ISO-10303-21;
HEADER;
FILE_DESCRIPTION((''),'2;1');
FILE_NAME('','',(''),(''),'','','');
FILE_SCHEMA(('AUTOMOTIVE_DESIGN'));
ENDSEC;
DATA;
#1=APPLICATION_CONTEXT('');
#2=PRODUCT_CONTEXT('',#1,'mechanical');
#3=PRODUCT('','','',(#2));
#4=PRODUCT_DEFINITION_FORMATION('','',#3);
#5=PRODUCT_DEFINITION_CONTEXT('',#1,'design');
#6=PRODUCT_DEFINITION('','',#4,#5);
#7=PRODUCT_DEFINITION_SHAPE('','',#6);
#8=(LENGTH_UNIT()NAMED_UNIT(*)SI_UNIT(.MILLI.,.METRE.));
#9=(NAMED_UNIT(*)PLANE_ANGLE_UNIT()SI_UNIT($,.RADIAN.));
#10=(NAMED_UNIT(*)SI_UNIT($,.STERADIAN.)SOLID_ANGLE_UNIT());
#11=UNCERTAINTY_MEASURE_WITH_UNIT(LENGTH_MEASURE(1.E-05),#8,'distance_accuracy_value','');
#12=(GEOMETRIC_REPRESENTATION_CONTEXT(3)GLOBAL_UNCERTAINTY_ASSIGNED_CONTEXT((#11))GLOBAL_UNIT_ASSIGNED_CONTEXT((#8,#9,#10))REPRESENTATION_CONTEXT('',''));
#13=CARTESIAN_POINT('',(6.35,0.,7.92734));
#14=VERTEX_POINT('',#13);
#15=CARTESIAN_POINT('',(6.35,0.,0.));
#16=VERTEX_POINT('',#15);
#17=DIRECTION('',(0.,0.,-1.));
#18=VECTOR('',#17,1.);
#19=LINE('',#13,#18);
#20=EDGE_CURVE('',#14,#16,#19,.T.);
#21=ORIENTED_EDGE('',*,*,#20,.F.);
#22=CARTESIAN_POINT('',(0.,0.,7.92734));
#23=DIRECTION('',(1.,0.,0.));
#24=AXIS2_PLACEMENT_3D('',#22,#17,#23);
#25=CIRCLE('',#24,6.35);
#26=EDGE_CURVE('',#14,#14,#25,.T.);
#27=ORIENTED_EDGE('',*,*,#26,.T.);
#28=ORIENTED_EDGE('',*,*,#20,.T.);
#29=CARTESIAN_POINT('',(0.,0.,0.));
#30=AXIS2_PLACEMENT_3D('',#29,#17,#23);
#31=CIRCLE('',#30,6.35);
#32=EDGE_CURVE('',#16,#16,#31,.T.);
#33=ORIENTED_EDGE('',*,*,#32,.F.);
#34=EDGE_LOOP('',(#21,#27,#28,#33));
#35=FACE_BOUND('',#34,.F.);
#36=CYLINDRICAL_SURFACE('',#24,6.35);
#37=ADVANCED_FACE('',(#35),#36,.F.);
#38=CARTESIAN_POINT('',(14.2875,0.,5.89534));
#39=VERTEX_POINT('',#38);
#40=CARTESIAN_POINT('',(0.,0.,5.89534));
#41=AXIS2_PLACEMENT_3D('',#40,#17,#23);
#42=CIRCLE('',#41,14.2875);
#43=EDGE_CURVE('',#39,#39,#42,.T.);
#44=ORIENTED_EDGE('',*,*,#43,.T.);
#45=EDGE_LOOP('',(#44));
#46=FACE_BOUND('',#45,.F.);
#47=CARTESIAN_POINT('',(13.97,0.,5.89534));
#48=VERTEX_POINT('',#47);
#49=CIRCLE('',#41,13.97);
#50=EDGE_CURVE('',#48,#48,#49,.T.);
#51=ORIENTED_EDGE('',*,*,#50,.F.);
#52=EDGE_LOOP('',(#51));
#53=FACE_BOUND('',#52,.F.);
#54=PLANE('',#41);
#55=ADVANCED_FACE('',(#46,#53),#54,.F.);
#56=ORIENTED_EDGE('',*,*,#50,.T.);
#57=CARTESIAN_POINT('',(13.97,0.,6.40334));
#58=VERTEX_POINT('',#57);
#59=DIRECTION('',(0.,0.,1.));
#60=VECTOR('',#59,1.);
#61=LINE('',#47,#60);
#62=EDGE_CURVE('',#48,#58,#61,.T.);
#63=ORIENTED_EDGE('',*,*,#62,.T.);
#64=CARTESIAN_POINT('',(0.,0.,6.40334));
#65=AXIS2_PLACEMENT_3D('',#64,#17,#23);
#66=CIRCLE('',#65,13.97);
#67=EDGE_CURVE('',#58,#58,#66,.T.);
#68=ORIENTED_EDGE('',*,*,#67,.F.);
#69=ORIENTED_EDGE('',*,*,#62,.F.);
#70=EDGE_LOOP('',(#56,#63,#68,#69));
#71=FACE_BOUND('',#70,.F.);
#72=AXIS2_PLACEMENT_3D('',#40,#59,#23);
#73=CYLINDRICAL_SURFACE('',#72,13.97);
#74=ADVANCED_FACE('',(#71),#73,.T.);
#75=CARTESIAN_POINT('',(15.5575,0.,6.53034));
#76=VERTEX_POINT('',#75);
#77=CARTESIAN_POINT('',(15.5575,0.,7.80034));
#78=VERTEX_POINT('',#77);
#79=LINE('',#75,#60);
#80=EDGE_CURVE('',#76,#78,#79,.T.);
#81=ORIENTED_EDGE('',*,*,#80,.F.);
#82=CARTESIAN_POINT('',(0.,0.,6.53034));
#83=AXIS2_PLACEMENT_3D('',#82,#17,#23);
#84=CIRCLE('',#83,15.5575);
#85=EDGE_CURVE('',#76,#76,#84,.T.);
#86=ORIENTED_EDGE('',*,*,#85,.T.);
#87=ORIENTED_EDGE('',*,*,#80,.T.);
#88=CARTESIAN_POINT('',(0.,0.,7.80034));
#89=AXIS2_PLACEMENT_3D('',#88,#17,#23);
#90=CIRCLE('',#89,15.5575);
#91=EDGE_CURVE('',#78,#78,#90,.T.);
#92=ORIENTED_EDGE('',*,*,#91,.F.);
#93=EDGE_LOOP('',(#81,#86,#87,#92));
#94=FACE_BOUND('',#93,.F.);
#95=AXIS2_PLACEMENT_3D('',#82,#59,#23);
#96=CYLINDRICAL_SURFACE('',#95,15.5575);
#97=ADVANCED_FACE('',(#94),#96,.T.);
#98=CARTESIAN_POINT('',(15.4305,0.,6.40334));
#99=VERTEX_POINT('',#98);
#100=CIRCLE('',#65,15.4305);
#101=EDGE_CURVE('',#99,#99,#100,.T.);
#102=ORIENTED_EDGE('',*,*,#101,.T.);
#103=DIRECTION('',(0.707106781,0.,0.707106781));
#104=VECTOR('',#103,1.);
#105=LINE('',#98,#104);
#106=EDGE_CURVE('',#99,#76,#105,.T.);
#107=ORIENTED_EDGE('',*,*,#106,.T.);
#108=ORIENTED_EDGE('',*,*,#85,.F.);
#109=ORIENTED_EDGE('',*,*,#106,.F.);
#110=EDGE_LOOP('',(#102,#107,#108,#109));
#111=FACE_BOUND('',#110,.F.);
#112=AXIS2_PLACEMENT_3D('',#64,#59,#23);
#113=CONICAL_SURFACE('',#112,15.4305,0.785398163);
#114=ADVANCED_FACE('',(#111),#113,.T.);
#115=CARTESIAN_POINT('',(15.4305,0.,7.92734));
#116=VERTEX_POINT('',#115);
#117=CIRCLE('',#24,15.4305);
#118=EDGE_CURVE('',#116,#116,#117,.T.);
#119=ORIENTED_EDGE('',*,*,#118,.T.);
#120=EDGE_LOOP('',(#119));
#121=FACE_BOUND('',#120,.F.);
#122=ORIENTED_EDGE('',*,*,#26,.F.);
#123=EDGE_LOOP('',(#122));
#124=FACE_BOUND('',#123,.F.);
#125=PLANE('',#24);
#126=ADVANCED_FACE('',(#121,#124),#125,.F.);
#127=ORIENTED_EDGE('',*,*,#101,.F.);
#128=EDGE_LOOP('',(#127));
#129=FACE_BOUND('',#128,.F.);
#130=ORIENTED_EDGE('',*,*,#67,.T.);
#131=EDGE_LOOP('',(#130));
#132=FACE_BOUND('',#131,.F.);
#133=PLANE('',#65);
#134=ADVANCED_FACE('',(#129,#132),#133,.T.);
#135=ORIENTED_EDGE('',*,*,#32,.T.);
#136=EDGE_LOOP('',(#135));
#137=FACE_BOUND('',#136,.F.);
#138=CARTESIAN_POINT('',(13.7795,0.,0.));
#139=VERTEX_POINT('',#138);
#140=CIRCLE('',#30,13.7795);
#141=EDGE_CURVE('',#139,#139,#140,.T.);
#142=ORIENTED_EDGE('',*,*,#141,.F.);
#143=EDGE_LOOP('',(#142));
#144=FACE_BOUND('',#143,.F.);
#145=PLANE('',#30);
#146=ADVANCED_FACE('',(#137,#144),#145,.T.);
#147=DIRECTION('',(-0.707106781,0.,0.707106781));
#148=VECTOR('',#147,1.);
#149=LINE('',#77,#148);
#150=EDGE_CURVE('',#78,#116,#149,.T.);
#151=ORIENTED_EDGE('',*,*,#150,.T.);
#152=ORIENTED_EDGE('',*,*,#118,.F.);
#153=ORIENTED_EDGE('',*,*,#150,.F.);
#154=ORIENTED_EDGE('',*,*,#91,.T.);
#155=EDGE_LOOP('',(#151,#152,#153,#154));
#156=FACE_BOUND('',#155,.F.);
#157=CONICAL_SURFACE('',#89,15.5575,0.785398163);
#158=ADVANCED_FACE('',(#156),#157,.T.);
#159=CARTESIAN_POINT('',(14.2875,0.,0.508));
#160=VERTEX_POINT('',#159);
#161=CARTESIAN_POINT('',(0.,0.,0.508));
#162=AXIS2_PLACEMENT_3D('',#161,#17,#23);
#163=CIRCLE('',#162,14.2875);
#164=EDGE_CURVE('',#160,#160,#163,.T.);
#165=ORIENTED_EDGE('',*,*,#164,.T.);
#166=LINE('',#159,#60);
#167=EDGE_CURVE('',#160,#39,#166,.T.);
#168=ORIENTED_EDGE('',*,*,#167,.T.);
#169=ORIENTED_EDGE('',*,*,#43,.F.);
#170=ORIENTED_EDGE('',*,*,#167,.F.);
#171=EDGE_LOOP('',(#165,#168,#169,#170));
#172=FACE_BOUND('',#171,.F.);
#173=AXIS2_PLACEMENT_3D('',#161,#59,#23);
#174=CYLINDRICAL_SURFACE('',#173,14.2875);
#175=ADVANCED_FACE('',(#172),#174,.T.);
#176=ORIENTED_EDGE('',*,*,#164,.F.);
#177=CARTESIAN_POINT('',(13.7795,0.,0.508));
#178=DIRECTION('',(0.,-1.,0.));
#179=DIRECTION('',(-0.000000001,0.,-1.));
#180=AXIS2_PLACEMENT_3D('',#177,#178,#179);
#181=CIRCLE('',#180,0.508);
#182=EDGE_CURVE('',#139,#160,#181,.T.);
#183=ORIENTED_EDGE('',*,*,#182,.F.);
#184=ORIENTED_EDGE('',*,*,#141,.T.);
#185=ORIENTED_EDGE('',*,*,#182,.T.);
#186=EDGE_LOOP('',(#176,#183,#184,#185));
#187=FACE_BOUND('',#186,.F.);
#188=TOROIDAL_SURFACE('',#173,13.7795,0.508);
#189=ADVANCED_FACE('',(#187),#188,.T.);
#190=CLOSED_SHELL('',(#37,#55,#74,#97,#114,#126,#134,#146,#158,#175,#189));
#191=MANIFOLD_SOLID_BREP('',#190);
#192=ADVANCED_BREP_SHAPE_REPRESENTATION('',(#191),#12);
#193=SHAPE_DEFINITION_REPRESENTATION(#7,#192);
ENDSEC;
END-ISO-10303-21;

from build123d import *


with BuildPart() as part:
    # Sketch1 → Revolve1 (revolve)
    with BuildSketch(Plane.XZ):
        with BuildLine():
            Line((14.2875, 0.508), (14.2875, 5.89534))
            Line((14.2875, 5.89534), (13.97, 5.89534))
            Line((13.97, 5.89534), (13.97, 6.40334))
            Line((13.97, 6.40334), (15.4305, 6.40334))
            Line((15.4305, 6.40334), (15.5575, 6.53034))
            Line((15.5575, 6.53034), (15.5575, 7.80034))
            Line((15.5575, 7.80034), (15.4305, 7.92734))
            Line((15.4305, 7.92734), (6.35, 7.92734))
            Line((6.35, 7.92734), (6.35, 0))
            Line((6.35, 0), (13.7795, 0))
            ThreePointArc((13.7795, 0), (14.138710245, 0.148789755), (14.2875, 0.508))
        make_face()
    revolve(axis=Axis((0, 0, 7.92734), (0, 0, -1)))


solid = part.part
